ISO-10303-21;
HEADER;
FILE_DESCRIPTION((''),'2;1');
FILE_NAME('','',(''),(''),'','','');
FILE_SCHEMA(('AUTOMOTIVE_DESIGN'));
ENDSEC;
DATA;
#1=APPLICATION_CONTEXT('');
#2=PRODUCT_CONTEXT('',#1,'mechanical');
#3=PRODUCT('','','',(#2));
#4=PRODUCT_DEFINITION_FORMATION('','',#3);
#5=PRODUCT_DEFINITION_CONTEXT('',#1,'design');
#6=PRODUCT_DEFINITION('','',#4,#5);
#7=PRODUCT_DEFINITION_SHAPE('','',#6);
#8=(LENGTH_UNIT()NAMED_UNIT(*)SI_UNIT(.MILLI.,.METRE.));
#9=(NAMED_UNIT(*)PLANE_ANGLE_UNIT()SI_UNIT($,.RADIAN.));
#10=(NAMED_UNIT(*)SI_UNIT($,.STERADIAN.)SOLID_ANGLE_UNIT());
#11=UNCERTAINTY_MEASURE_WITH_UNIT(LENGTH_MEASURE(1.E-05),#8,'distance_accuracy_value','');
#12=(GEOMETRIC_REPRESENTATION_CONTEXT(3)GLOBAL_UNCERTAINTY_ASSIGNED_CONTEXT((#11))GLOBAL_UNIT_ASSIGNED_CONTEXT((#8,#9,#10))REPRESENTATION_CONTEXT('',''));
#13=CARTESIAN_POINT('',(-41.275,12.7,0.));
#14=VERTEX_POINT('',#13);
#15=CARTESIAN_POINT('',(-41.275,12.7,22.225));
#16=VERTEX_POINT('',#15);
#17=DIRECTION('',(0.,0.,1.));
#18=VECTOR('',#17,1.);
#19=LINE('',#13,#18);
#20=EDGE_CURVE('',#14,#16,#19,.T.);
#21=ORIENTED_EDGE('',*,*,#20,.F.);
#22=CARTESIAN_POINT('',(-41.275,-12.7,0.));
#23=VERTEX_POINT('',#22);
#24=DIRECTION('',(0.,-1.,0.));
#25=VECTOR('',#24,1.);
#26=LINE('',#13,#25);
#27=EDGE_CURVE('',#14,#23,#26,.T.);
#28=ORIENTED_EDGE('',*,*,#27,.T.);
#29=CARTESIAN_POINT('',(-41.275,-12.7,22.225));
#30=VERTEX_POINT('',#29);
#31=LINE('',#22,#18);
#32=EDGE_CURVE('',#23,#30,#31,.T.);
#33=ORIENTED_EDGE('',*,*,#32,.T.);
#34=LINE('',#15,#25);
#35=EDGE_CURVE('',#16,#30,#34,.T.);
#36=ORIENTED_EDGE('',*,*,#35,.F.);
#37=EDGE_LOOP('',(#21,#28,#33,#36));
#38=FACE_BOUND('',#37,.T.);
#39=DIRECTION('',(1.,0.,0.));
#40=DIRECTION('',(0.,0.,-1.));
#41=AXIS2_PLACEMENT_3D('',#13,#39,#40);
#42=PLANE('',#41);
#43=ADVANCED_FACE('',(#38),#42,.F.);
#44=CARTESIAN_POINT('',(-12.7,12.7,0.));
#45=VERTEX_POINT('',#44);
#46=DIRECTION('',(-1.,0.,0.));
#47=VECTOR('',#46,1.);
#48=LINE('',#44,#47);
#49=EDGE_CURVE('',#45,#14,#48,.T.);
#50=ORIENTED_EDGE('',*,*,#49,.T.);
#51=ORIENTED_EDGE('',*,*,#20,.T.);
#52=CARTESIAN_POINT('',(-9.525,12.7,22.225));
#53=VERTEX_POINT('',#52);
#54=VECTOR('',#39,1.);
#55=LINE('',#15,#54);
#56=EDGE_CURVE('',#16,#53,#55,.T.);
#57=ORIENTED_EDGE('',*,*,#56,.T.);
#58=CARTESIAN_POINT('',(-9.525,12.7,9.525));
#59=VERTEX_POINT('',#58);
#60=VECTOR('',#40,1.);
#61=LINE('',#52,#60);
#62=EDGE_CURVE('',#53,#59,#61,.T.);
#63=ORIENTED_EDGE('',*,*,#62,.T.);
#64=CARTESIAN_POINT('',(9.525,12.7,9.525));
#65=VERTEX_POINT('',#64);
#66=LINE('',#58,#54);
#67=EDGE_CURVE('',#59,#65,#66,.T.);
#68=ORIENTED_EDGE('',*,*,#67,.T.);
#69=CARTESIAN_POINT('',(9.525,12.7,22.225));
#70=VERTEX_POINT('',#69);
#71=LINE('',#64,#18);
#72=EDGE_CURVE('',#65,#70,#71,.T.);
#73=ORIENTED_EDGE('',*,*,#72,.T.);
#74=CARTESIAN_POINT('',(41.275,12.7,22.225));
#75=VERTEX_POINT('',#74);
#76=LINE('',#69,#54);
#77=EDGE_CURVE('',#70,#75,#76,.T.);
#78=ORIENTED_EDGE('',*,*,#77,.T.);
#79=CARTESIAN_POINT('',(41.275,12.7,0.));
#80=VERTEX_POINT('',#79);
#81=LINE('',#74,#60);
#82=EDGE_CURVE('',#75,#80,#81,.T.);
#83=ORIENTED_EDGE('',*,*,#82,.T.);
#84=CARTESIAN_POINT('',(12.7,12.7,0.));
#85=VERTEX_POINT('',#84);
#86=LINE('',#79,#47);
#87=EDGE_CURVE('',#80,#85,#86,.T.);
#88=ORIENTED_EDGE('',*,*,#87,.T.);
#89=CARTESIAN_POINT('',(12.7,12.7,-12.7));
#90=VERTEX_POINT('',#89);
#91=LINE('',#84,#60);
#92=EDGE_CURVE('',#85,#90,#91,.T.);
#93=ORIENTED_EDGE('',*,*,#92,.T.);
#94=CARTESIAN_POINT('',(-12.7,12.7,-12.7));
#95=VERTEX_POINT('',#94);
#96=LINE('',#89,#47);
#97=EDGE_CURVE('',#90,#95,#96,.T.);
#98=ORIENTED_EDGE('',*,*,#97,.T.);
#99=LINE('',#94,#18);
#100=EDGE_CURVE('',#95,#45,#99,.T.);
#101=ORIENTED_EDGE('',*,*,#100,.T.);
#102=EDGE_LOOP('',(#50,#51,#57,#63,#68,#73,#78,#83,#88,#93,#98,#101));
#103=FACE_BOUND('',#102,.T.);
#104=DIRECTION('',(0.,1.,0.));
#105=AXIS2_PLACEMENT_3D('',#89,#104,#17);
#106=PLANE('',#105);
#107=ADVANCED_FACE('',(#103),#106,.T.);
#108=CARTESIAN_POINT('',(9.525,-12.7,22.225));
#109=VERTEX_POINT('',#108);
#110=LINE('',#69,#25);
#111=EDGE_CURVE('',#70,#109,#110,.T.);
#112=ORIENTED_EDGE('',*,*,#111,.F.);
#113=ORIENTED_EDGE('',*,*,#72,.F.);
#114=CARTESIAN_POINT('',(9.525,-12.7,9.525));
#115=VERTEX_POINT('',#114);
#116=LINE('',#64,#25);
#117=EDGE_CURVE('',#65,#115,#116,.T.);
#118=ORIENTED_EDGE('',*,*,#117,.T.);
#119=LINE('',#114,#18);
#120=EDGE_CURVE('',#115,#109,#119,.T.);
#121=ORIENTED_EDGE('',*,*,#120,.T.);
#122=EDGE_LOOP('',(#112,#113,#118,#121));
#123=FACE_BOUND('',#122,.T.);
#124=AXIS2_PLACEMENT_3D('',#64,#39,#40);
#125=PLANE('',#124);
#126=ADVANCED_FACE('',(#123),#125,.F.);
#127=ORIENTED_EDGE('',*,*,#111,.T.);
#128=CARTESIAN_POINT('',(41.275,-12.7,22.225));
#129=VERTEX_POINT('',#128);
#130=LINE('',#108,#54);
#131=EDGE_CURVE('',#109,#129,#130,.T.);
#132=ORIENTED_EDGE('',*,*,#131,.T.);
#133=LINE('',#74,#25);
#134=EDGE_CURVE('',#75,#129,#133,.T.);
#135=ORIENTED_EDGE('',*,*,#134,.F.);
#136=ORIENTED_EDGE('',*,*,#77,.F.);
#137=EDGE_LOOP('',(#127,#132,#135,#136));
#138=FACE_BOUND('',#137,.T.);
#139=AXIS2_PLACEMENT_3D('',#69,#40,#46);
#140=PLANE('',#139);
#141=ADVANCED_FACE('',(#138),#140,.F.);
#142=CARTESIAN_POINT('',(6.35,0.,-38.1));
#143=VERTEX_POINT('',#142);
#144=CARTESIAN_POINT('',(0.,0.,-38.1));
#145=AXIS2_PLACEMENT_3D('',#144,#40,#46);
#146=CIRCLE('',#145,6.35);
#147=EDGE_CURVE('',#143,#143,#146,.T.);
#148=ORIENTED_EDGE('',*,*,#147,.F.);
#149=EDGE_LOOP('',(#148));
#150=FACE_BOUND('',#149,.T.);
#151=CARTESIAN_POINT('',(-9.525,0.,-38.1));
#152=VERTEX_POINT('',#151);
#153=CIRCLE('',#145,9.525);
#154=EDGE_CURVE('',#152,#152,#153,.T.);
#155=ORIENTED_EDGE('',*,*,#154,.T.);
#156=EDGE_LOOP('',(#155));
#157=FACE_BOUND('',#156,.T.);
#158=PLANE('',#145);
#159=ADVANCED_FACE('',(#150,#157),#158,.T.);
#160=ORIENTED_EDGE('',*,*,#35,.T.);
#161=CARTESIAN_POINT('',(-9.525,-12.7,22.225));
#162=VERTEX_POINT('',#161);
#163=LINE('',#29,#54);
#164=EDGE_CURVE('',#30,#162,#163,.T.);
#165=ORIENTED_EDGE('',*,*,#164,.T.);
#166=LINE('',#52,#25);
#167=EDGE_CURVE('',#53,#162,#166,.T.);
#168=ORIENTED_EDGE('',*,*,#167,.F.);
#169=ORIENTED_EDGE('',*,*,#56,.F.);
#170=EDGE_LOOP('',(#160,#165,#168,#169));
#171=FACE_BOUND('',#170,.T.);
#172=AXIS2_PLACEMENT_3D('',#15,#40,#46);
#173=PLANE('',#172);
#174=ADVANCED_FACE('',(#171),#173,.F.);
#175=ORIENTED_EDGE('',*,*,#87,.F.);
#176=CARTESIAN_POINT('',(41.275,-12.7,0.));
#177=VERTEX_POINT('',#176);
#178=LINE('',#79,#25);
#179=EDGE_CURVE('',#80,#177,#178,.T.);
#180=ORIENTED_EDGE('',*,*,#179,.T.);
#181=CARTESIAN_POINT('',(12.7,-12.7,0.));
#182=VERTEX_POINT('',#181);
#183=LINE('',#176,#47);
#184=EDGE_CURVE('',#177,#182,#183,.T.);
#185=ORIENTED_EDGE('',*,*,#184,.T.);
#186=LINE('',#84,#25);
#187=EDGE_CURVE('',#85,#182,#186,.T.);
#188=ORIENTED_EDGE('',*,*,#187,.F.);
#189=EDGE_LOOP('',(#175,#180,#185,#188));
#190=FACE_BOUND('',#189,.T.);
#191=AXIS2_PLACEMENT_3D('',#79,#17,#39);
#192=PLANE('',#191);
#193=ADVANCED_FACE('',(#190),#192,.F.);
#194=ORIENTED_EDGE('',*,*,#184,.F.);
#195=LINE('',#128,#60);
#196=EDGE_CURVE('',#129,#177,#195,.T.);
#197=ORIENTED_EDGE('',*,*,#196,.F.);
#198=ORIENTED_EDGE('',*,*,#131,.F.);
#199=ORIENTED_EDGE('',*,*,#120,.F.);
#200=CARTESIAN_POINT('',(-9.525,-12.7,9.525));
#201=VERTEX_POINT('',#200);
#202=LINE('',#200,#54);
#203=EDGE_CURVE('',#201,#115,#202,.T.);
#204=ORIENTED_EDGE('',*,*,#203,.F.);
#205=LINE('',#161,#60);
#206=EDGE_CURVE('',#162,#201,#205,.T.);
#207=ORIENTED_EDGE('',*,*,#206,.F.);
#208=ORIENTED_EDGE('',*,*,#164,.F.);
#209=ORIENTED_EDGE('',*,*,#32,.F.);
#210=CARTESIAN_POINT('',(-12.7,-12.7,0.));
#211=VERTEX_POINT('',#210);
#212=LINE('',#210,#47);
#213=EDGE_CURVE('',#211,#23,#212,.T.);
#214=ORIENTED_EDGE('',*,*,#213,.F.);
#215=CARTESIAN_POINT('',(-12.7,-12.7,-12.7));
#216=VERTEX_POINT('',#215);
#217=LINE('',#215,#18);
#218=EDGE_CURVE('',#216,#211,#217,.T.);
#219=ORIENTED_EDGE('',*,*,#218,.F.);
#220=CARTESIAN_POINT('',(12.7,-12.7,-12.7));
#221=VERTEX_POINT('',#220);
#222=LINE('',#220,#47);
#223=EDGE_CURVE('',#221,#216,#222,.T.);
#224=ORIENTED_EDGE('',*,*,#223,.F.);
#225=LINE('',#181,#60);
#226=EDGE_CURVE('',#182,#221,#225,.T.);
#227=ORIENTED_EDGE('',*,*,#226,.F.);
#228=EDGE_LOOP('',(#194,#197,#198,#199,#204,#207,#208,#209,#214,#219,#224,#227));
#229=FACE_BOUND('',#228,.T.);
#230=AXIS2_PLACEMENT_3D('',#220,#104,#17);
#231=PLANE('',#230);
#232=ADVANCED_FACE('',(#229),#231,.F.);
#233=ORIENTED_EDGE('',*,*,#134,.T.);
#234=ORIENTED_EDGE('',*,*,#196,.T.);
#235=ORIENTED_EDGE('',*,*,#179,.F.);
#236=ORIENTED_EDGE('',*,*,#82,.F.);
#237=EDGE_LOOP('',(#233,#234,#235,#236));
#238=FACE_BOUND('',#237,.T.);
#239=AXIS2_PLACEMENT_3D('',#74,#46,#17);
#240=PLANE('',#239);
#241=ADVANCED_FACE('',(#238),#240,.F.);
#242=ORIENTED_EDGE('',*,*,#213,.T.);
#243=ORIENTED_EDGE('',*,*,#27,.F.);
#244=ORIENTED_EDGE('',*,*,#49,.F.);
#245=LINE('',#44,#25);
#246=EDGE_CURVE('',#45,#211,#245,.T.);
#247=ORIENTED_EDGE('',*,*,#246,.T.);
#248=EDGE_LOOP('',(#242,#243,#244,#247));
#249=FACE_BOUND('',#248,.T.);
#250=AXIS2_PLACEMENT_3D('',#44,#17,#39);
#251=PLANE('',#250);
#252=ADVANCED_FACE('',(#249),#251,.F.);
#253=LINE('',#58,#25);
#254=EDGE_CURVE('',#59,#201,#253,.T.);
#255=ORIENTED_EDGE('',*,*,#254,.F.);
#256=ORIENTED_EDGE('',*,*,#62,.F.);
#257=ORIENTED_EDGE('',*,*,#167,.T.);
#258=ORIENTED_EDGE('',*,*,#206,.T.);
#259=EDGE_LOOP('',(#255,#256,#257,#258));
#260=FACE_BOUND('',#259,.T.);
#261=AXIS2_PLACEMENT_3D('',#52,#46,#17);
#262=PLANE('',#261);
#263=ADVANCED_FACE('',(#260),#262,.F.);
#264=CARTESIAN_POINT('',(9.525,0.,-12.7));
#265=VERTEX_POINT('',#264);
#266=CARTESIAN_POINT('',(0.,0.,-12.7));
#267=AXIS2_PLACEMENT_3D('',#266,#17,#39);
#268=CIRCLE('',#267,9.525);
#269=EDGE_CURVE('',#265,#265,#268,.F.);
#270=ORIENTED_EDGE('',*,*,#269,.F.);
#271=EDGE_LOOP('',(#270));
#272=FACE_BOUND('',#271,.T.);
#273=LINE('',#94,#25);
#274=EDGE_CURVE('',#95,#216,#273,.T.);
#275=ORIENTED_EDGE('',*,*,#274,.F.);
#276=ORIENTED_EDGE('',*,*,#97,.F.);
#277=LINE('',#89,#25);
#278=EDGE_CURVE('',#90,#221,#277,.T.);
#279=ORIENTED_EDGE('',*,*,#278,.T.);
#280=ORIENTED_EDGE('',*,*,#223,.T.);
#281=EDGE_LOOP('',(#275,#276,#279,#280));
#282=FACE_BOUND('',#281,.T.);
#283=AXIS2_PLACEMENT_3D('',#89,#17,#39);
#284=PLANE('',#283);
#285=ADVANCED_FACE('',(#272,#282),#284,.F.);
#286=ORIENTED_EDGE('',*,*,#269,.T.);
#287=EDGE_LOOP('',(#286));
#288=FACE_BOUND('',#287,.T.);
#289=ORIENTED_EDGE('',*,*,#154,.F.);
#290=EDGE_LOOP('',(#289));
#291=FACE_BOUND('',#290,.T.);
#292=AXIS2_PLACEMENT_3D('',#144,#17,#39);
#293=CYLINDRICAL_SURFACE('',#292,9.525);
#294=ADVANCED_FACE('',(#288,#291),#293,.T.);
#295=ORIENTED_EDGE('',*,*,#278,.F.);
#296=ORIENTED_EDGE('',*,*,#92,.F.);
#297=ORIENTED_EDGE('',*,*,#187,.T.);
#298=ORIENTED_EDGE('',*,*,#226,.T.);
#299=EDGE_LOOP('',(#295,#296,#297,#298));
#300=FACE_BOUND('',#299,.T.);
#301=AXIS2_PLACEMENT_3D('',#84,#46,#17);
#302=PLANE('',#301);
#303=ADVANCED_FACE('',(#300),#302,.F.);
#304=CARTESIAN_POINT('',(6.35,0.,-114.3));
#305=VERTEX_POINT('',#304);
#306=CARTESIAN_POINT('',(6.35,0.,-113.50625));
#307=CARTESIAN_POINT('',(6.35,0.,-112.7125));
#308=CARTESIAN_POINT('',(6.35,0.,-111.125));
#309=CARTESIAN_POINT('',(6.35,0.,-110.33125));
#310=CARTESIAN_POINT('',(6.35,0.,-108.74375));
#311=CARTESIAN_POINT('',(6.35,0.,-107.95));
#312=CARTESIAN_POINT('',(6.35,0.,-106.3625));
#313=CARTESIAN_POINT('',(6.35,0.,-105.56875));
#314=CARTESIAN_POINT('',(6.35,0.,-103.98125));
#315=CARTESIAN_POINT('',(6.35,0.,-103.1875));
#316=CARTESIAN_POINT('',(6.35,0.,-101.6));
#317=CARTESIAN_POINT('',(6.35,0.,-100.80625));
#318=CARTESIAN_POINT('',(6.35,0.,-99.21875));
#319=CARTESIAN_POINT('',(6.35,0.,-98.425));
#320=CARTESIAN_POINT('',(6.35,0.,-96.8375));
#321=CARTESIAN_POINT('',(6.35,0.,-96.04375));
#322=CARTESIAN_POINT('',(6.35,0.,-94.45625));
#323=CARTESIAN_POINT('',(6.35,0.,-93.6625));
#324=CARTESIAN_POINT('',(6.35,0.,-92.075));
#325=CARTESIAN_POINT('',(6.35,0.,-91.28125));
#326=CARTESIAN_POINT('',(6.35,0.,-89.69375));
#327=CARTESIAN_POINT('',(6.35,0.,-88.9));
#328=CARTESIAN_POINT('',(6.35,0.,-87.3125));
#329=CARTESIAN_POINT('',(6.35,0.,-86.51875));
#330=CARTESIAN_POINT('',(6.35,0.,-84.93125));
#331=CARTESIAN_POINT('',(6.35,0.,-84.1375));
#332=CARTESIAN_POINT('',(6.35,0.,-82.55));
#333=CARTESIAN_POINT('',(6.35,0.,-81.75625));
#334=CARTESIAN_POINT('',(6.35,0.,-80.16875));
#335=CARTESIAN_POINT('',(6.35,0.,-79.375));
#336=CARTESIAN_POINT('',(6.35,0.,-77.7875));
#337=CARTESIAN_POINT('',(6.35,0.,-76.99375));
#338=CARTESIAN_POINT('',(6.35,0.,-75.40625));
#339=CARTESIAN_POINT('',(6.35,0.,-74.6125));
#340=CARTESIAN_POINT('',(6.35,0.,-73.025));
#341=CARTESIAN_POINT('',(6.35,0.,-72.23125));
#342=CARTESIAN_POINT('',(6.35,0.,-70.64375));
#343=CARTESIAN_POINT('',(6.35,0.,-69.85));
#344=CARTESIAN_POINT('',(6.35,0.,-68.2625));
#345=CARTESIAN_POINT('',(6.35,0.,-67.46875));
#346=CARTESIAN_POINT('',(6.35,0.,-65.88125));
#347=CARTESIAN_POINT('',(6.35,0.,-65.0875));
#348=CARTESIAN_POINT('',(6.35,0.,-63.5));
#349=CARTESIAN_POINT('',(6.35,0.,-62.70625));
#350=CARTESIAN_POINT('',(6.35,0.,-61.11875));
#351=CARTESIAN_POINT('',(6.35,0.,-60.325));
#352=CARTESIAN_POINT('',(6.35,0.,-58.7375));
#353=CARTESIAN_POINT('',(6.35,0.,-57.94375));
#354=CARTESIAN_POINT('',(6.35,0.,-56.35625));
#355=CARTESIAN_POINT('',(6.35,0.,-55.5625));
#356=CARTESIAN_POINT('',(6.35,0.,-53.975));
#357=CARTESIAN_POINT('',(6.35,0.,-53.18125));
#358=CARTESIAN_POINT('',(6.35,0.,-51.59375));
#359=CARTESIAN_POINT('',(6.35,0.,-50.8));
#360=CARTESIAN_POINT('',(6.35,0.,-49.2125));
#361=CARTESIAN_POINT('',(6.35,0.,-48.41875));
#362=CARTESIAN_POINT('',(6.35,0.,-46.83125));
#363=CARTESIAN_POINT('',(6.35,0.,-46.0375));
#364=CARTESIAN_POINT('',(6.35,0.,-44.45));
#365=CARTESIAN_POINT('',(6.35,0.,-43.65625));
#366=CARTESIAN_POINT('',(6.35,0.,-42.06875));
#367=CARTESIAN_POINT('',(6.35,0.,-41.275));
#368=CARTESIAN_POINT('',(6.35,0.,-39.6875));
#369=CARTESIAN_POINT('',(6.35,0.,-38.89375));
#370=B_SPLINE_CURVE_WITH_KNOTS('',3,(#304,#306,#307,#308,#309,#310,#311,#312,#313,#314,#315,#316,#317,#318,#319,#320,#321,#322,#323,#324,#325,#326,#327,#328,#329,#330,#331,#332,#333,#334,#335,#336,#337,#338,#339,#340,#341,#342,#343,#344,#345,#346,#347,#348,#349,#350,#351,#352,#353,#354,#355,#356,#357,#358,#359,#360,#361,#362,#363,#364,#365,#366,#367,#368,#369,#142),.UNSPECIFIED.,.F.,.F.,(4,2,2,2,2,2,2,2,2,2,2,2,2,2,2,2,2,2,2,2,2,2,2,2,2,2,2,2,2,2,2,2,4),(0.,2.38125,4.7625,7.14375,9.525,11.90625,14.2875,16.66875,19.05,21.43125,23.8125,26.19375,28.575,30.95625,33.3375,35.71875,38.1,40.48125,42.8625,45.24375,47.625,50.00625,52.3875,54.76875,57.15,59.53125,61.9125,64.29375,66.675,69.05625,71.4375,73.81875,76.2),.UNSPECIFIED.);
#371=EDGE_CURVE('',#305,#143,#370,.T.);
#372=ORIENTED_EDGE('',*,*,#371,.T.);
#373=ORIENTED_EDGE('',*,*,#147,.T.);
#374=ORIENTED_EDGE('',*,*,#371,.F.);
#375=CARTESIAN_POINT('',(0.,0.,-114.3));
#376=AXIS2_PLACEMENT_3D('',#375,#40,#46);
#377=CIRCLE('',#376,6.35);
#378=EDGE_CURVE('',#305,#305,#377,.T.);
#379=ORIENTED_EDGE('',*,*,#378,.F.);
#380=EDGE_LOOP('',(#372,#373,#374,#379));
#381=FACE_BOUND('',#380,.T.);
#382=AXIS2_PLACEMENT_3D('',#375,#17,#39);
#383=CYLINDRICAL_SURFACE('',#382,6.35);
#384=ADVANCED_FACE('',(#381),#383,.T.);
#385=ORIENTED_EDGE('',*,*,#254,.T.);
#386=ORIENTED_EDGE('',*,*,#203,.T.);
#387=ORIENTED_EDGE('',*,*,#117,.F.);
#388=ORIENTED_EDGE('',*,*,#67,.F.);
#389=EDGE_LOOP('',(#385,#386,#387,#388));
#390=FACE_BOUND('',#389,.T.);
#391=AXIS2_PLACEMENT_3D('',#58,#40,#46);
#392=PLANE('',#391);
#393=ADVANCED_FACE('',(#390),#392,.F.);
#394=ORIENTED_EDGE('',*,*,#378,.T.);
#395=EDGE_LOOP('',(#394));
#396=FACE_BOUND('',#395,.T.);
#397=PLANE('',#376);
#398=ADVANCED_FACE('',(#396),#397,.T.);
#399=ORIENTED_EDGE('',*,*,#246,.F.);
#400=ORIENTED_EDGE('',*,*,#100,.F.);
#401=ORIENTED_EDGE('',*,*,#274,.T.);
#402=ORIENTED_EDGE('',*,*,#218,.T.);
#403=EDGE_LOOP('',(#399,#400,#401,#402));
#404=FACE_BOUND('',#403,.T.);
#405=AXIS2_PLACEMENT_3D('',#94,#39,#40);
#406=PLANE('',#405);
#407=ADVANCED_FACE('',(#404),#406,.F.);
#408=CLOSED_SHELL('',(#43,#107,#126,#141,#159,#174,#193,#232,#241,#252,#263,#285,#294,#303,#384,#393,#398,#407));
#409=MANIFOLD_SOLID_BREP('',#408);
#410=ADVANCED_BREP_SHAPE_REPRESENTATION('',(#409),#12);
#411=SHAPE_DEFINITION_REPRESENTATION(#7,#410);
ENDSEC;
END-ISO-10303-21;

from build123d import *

# Parameters (mm, degrees)
BOSS_EXTRUDE1_DEPTH = 12.7
SKETCH2_R           = 9.525
BOSS_EXTRUDE2_DEPTH = 25.4
SKETCH3_R           = 6.35
BOSS_EXTRUDE3_DEPTH = 76.2


with BuildPart() as part:
    # Sketch1 → Boss-Extrude1 (new, symmetric)
    with BuildSketch(Plane(origin=(0, 0, 0), x_dir=(1, 0, 0), z_dir=(0, 1, 0))):
        Polygon((12.7, 12.7), (-12.7, 12.7), (-12.7, 0), (-41.275, 0), (-41.275, -22.225), (-9.525, -22.225), (-9.525, -9.525), (9.525, -9.525), (9.525, -22.225), (41.275, -22.225), (41.275, 0), (12.7, 0), align=None)
    extrude(amount=BOSS_EXTRUDE1_DEPTH, both=True)

    # Sketch2 → Boss-Extrude2 (add)
    with BuildSketch(Plane(origin=(0, 0, -12.7), x_dir=(-1, 0, 0), z_dir=(0, 0, -1))):
        with Locations(Location((0, 0, 0), (0, 0, 180))):
            Circle(SKETCH2_R)
    extrude(amount=BOSS_EXTRUDE2_DEPTH)

    # Sketch3 → Boss-Extrude3 (add)
    with BuildSketch(Plane(origin=(0, 0, -38.1), x_dir=(-1, 0, 0), z_dir=(0, 0, -1))):
        with Locations(Location((0, 0, 0), (0, 0, 180))):
            Circle(SKETCH3_R)
    extrude(amount=BOSS_EXTRUDE3_DEPTH)


solid = part.part
